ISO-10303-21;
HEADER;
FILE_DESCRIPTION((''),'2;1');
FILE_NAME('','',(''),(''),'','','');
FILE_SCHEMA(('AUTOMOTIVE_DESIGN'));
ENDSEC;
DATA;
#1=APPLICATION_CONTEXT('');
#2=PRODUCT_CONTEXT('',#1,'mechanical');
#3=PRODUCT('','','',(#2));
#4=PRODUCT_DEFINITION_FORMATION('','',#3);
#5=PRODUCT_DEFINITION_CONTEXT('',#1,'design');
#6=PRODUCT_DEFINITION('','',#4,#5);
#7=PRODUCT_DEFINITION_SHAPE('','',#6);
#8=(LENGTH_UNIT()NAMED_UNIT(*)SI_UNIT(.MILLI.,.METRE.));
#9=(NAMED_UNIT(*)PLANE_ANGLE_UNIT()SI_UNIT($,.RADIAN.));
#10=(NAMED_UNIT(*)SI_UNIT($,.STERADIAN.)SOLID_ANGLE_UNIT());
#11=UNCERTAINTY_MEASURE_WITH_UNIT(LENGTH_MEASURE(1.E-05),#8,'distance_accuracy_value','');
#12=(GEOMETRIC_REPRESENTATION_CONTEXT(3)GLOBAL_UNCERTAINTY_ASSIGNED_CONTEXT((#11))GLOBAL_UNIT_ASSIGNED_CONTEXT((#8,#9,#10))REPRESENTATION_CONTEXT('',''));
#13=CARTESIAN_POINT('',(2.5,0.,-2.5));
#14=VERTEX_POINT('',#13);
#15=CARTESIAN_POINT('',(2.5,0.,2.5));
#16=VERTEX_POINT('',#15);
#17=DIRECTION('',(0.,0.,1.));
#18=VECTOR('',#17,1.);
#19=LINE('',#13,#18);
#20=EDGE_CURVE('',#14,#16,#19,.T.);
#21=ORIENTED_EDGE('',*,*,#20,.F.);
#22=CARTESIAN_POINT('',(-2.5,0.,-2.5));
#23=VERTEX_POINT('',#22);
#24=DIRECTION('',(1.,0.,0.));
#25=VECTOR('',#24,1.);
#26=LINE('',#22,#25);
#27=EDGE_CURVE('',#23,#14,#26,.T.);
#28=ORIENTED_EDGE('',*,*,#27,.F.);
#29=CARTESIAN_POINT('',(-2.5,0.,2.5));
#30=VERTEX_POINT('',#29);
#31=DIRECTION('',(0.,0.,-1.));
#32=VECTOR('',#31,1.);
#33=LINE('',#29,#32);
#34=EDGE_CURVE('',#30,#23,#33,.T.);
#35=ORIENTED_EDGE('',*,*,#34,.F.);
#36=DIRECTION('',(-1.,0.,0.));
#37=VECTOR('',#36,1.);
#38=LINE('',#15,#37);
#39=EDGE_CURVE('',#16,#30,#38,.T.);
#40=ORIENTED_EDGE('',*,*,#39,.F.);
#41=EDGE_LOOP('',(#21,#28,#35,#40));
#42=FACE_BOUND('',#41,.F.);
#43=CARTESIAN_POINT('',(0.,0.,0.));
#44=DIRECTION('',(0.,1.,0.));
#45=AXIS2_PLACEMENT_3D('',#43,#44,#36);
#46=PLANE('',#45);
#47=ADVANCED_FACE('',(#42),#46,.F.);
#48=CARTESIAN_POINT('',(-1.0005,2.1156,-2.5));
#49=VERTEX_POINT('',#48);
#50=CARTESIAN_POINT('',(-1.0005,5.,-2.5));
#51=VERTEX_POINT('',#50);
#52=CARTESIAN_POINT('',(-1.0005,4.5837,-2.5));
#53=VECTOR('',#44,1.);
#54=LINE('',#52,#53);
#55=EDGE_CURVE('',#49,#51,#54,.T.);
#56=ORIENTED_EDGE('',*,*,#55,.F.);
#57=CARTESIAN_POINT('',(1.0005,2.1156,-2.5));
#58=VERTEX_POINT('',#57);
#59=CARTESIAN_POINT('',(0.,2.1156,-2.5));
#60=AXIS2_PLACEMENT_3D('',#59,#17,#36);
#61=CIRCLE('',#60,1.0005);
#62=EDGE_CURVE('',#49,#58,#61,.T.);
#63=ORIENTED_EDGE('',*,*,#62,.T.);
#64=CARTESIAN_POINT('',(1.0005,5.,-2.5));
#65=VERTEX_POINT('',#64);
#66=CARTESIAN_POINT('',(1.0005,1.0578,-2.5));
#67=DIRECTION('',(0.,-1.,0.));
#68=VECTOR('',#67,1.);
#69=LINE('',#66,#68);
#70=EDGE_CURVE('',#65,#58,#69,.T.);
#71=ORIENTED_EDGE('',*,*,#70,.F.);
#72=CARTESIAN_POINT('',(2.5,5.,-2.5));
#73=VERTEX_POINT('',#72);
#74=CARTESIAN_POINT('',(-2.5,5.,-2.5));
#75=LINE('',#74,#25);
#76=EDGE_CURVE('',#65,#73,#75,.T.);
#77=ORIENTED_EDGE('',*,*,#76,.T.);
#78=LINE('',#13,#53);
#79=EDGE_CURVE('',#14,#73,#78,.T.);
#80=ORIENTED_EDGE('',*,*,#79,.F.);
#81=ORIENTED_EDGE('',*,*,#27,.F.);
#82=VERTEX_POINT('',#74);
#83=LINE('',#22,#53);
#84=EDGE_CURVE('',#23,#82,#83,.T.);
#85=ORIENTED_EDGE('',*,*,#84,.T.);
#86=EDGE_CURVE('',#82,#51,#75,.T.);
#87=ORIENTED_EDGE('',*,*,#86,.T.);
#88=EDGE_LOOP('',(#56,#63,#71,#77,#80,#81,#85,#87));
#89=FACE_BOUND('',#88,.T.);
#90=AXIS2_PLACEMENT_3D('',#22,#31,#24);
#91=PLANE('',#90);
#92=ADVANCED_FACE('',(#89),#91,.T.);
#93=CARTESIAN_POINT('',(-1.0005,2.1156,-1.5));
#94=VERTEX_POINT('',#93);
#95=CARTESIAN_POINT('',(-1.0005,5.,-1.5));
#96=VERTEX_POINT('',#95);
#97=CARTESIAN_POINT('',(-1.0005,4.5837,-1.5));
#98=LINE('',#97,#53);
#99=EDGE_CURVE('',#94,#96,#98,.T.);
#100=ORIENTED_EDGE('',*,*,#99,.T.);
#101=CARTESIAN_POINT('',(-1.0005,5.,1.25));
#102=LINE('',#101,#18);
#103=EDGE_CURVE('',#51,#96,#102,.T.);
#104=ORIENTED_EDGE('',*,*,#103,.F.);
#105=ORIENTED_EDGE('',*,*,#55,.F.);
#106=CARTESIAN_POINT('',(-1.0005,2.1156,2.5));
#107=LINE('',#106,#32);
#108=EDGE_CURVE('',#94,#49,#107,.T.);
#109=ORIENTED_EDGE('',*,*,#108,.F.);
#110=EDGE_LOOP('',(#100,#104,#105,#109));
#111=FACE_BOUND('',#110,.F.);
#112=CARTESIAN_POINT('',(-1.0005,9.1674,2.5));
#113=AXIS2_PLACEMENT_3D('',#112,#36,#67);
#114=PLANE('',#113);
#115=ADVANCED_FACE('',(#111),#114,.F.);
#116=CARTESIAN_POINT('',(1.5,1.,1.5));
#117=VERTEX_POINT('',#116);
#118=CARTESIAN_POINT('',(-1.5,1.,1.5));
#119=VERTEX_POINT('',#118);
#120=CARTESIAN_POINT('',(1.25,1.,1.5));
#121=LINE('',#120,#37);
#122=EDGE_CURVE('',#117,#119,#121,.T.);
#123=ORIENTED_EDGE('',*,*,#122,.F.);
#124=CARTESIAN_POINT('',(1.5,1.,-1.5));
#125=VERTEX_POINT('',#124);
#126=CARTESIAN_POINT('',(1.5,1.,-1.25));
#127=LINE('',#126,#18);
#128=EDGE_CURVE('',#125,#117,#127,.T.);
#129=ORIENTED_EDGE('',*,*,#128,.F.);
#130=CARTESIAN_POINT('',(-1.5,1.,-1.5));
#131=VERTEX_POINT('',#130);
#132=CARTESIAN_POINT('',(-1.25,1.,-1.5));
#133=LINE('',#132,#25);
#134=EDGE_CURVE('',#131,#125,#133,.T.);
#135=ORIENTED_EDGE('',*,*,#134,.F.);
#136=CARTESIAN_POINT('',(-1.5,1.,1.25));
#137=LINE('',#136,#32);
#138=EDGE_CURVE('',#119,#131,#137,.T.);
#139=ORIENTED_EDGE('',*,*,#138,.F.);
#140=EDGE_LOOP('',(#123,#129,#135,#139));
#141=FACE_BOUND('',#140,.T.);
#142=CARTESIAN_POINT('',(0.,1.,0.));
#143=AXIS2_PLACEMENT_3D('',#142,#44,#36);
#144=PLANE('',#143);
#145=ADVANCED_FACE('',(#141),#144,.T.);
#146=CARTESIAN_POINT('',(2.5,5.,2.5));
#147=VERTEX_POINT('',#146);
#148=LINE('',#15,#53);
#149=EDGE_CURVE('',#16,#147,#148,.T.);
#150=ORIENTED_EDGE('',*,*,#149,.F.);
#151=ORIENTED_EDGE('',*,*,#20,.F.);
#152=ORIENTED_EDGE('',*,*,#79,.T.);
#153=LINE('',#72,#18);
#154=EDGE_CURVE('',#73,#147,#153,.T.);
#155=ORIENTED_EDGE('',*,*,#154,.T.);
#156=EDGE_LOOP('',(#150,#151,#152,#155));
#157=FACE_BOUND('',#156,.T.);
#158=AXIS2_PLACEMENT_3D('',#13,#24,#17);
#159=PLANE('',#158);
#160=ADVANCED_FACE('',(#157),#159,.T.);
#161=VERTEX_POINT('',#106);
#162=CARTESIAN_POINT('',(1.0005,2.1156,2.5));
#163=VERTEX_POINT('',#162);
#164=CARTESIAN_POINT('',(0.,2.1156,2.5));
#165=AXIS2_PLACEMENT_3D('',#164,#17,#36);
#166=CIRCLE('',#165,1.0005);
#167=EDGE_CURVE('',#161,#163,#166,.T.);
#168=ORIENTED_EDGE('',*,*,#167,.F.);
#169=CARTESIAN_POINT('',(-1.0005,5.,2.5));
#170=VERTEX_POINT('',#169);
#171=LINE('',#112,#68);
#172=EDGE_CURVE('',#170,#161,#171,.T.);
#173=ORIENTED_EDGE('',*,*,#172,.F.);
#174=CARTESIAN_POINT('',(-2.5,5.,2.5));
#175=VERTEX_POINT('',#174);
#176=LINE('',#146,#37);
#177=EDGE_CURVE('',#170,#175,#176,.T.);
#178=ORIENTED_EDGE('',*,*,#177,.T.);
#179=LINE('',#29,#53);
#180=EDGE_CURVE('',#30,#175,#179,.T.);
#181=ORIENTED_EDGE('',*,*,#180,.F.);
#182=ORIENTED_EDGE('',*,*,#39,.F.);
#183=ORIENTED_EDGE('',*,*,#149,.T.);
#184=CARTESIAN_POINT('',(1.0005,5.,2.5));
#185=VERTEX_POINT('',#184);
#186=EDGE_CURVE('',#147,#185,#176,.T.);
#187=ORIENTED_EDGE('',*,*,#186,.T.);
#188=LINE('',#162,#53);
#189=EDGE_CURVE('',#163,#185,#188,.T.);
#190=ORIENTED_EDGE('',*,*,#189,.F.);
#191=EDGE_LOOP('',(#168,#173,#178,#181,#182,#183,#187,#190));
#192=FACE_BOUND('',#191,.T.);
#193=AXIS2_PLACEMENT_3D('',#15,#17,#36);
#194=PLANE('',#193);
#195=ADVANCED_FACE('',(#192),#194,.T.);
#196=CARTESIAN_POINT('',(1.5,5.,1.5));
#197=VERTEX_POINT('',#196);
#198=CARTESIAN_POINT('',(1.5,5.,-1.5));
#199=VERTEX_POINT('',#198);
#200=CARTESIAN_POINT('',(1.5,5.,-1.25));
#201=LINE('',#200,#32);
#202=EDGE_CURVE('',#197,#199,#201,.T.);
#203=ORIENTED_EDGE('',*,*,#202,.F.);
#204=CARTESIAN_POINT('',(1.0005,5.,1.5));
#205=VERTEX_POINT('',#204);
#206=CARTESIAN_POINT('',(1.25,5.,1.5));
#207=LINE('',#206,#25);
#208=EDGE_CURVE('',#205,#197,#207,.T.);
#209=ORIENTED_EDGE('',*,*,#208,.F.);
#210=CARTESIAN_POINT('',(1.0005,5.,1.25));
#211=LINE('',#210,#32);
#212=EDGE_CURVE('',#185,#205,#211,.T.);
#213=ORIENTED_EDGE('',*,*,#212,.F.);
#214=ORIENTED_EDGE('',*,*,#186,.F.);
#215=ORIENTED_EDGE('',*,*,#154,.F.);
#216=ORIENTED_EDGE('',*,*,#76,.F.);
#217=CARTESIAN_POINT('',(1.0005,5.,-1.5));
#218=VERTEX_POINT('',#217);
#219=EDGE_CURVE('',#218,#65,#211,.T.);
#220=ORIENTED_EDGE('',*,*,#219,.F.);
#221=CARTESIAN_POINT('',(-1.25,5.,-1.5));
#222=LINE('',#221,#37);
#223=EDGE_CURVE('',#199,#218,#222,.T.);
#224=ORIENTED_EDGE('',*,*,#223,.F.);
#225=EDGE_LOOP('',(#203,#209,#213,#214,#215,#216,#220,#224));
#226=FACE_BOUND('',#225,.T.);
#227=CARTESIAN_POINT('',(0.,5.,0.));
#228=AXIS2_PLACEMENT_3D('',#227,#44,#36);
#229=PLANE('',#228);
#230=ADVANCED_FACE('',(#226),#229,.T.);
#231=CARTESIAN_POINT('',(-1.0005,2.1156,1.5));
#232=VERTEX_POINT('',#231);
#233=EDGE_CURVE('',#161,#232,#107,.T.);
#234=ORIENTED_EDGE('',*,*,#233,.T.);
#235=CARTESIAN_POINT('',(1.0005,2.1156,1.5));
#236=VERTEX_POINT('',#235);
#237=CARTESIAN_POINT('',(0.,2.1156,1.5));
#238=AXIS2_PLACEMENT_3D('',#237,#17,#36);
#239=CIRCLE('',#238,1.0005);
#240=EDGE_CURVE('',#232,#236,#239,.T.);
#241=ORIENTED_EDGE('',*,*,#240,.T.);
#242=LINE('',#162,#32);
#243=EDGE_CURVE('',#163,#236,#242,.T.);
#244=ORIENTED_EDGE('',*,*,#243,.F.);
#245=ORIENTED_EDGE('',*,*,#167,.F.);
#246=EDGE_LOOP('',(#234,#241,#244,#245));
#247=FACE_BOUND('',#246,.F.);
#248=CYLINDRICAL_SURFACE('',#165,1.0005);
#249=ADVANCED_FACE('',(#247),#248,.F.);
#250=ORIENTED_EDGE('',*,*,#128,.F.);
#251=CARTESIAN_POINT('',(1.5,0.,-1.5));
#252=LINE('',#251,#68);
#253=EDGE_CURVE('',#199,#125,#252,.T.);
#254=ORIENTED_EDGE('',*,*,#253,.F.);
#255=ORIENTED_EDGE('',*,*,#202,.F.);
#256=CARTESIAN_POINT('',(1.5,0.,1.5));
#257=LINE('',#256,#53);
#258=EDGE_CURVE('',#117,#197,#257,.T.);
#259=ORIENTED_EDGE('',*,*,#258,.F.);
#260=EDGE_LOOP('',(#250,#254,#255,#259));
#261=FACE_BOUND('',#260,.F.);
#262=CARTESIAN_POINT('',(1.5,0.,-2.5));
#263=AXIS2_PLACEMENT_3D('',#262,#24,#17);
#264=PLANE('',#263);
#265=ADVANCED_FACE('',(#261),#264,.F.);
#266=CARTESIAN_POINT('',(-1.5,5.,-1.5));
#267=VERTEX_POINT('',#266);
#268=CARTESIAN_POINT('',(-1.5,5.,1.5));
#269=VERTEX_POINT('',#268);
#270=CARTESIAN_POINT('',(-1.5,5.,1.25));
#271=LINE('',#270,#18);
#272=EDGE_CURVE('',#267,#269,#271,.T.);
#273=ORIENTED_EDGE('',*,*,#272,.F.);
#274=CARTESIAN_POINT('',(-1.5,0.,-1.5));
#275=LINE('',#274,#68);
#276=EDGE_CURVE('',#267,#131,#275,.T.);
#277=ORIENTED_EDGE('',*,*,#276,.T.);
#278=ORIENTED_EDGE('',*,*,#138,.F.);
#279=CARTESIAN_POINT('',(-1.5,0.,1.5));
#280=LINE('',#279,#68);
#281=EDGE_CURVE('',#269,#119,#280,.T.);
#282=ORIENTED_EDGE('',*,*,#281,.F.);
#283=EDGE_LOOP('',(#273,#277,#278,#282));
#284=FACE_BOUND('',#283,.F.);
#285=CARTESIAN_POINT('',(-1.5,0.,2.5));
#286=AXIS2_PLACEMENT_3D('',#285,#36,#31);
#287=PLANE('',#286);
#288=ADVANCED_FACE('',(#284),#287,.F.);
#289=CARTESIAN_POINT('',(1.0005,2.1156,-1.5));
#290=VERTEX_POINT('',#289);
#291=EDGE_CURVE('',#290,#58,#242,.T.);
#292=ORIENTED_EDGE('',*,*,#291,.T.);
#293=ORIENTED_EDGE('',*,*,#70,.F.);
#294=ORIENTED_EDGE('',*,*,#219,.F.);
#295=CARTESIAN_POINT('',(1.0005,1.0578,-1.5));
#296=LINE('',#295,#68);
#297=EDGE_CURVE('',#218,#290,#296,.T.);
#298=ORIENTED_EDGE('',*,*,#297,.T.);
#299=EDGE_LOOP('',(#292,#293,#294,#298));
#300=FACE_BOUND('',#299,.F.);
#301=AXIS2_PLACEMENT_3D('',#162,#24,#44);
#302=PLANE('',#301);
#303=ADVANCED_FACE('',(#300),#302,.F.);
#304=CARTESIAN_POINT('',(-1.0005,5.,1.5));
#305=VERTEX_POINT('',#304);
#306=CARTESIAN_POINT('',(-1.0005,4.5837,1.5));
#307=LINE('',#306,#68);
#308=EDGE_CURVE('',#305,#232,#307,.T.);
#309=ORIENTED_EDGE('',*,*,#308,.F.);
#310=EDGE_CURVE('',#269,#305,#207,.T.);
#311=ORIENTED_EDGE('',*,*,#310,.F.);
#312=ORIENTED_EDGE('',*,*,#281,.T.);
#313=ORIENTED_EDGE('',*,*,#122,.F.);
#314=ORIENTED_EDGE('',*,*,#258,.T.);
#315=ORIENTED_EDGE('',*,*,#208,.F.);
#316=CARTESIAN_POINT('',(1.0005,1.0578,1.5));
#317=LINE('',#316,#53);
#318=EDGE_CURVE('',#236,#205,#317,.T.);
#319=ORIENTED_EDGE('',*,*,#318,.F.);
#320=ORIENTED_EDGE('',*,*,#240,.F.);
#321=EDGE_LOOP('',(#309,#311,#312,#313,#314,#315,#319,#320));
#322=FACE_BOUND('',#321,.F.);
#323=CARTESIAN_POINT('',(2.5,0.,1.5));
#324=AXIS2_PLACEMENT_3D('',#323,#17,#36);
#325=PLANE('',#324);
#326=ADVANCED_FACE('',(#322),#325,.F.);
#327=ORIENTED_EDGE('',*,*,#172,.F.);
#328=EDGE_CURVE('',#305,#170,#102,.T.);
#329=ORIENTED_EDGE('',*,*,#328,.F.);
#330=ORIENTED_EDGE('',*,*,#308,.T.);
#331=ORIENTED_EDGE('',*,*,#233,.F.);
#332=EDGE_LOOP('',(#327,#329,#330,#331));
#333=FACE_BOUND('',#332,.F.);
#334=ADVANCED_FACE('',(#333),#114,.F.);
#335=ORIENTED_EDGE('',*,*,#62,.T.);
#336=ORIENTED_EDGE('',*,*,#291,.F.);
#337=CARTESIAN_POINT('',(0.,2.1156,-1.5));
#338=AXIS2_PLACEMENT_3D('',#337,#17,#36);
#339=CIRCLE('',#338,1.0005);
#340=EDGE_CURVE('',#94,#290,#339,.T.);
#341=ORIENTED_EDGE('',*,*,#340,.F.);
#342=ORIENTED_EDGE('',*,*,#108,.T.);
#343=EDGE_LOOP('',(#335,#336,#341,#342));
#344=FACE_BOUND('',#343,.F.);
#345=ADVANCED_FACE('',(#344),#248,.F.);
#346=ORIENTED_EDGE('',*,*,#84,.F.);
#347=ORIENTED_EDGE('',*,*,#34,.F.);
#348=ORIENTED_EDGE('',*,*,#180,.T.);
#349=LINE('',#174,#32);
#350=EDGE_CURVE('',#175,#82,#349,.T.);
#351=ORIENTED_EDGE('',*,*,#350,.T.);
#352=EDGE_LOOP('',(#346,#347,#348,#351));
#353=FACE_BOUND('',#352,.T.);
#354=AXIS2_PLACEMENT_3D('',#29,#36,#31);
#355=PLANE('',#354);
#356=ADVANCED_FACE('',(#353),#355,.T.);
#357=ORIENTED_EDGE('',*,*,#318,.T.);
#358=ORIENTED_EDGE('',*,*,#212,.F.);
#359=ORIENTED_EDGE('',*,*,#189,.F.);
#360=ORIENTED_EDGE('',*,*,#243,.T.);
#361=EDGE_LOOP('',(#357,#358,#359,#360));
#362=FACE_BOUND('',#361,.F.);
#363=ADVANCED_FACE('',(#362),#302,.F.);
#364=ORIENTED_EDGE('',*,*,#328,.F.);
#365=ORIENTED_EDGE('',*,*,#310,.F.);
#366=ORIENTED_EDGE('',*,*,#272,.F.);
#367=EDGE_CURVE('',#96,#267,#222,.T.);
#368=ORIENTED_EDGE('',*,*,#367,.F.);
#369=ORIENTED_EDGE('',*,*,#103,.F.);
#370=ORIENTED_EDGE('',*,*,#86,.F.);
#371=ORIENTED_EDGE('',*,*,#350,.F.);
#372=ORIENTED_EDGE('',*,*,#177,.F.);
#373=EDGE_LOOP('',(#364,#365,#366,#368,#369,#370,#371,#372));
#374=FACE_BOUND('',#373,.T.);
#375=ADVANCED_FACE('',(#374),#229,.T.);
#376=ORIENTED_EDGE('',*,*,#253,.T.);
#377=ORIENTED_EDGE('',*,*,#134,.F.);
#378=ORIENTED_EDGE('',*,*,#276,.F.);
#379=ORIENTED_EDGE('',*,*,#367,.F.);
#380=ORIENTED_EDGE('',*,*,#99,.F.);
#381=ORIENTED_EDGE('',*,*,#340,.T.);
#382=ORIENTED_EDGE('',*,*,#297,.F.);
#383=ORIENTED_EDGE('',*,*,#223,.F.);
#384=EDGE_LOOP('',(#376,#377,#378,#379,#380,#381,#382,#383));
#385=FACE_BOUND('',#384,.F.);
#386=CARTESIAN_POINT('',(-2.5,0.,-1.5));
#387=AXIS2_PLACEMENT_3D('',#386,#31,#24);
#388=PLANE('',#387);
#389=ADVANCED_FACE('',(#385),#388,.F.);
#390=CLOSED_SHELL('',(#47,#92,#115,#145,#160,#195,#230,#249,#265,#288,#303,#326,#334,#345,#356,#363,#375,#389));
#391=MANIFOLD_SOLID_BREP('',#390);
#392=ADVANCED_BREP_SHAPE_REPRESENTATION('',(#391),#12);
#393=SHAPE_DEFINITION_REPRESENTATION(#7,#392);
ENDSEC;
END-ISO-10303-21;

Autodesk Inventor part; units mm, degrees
ref_plane "YZ Plane" through (0, 0, 0) normal (1, 0, 0) x (0, 1, 0)
ref_plane "XZ Plane" through (0, 0, 0) normal (0, 1, 0) x (-1, 0, 0)
ref_plane "XY Plane" through (0, 0, 0) normal (0, 0, 1) x (1, 0, 0)
sketch "Sketch1" plane through (0, 0, 0) normal (0, 1, 0) x (-1, 0, 0)
  line L0 (-2.5, 2.5) -> (2.5, 2.5)
  line L1 (2.5, 2.5) -> (2.5, -2.5)
  line L2 (2.5, -2.5) -> (-2.5, -2.5)
  line L3 (-2.5, -2.5) -> (-2.5, 2.5)
  line L4 (-2.5, 2.5) -> (2.5, -2.5) construction
  line L5 (2.5, 2.5) -> (-2.5, -2.5) construction
  point P0 (0, 0)
  dimension "d0" = 5
  dimension "d1" = 5
extrude "Extrusion1" add sketch "Sketch1" along normal blind 5
shell "Shell1" thickness 1 removed faces 1 at (-0.8333, 5, -0.8333)
sketch "Sketch3" plane through (-2.5, 0, 2.5) normal (0, 0, 1) x (1, 0, 0)
  line L0 (2.5, 9.1674) -> (2.5, 2.1156) construction
  line L1 (1.4995, 9.1674) -> (1.4995, 2.1156)
  line L2 (3.5005, 2.1156) -> (3.5005, 9.1674)
  arc A0 (3.5005, 9.1674) -> (1.4995, 9.1674) centre (2.5, 9.1674) ccw
  arc A1 (1.4995, 2.1156) -> (3.5005, 2.1156) centre (2.5, 2.1156) ccw
  point P0 (2.5, 0)
  point P1 (2.5, 5.6415)
extrude "Extrusion3" cut sketch "Sketch3" against normal through all
properties part number "snapfit_v06"
